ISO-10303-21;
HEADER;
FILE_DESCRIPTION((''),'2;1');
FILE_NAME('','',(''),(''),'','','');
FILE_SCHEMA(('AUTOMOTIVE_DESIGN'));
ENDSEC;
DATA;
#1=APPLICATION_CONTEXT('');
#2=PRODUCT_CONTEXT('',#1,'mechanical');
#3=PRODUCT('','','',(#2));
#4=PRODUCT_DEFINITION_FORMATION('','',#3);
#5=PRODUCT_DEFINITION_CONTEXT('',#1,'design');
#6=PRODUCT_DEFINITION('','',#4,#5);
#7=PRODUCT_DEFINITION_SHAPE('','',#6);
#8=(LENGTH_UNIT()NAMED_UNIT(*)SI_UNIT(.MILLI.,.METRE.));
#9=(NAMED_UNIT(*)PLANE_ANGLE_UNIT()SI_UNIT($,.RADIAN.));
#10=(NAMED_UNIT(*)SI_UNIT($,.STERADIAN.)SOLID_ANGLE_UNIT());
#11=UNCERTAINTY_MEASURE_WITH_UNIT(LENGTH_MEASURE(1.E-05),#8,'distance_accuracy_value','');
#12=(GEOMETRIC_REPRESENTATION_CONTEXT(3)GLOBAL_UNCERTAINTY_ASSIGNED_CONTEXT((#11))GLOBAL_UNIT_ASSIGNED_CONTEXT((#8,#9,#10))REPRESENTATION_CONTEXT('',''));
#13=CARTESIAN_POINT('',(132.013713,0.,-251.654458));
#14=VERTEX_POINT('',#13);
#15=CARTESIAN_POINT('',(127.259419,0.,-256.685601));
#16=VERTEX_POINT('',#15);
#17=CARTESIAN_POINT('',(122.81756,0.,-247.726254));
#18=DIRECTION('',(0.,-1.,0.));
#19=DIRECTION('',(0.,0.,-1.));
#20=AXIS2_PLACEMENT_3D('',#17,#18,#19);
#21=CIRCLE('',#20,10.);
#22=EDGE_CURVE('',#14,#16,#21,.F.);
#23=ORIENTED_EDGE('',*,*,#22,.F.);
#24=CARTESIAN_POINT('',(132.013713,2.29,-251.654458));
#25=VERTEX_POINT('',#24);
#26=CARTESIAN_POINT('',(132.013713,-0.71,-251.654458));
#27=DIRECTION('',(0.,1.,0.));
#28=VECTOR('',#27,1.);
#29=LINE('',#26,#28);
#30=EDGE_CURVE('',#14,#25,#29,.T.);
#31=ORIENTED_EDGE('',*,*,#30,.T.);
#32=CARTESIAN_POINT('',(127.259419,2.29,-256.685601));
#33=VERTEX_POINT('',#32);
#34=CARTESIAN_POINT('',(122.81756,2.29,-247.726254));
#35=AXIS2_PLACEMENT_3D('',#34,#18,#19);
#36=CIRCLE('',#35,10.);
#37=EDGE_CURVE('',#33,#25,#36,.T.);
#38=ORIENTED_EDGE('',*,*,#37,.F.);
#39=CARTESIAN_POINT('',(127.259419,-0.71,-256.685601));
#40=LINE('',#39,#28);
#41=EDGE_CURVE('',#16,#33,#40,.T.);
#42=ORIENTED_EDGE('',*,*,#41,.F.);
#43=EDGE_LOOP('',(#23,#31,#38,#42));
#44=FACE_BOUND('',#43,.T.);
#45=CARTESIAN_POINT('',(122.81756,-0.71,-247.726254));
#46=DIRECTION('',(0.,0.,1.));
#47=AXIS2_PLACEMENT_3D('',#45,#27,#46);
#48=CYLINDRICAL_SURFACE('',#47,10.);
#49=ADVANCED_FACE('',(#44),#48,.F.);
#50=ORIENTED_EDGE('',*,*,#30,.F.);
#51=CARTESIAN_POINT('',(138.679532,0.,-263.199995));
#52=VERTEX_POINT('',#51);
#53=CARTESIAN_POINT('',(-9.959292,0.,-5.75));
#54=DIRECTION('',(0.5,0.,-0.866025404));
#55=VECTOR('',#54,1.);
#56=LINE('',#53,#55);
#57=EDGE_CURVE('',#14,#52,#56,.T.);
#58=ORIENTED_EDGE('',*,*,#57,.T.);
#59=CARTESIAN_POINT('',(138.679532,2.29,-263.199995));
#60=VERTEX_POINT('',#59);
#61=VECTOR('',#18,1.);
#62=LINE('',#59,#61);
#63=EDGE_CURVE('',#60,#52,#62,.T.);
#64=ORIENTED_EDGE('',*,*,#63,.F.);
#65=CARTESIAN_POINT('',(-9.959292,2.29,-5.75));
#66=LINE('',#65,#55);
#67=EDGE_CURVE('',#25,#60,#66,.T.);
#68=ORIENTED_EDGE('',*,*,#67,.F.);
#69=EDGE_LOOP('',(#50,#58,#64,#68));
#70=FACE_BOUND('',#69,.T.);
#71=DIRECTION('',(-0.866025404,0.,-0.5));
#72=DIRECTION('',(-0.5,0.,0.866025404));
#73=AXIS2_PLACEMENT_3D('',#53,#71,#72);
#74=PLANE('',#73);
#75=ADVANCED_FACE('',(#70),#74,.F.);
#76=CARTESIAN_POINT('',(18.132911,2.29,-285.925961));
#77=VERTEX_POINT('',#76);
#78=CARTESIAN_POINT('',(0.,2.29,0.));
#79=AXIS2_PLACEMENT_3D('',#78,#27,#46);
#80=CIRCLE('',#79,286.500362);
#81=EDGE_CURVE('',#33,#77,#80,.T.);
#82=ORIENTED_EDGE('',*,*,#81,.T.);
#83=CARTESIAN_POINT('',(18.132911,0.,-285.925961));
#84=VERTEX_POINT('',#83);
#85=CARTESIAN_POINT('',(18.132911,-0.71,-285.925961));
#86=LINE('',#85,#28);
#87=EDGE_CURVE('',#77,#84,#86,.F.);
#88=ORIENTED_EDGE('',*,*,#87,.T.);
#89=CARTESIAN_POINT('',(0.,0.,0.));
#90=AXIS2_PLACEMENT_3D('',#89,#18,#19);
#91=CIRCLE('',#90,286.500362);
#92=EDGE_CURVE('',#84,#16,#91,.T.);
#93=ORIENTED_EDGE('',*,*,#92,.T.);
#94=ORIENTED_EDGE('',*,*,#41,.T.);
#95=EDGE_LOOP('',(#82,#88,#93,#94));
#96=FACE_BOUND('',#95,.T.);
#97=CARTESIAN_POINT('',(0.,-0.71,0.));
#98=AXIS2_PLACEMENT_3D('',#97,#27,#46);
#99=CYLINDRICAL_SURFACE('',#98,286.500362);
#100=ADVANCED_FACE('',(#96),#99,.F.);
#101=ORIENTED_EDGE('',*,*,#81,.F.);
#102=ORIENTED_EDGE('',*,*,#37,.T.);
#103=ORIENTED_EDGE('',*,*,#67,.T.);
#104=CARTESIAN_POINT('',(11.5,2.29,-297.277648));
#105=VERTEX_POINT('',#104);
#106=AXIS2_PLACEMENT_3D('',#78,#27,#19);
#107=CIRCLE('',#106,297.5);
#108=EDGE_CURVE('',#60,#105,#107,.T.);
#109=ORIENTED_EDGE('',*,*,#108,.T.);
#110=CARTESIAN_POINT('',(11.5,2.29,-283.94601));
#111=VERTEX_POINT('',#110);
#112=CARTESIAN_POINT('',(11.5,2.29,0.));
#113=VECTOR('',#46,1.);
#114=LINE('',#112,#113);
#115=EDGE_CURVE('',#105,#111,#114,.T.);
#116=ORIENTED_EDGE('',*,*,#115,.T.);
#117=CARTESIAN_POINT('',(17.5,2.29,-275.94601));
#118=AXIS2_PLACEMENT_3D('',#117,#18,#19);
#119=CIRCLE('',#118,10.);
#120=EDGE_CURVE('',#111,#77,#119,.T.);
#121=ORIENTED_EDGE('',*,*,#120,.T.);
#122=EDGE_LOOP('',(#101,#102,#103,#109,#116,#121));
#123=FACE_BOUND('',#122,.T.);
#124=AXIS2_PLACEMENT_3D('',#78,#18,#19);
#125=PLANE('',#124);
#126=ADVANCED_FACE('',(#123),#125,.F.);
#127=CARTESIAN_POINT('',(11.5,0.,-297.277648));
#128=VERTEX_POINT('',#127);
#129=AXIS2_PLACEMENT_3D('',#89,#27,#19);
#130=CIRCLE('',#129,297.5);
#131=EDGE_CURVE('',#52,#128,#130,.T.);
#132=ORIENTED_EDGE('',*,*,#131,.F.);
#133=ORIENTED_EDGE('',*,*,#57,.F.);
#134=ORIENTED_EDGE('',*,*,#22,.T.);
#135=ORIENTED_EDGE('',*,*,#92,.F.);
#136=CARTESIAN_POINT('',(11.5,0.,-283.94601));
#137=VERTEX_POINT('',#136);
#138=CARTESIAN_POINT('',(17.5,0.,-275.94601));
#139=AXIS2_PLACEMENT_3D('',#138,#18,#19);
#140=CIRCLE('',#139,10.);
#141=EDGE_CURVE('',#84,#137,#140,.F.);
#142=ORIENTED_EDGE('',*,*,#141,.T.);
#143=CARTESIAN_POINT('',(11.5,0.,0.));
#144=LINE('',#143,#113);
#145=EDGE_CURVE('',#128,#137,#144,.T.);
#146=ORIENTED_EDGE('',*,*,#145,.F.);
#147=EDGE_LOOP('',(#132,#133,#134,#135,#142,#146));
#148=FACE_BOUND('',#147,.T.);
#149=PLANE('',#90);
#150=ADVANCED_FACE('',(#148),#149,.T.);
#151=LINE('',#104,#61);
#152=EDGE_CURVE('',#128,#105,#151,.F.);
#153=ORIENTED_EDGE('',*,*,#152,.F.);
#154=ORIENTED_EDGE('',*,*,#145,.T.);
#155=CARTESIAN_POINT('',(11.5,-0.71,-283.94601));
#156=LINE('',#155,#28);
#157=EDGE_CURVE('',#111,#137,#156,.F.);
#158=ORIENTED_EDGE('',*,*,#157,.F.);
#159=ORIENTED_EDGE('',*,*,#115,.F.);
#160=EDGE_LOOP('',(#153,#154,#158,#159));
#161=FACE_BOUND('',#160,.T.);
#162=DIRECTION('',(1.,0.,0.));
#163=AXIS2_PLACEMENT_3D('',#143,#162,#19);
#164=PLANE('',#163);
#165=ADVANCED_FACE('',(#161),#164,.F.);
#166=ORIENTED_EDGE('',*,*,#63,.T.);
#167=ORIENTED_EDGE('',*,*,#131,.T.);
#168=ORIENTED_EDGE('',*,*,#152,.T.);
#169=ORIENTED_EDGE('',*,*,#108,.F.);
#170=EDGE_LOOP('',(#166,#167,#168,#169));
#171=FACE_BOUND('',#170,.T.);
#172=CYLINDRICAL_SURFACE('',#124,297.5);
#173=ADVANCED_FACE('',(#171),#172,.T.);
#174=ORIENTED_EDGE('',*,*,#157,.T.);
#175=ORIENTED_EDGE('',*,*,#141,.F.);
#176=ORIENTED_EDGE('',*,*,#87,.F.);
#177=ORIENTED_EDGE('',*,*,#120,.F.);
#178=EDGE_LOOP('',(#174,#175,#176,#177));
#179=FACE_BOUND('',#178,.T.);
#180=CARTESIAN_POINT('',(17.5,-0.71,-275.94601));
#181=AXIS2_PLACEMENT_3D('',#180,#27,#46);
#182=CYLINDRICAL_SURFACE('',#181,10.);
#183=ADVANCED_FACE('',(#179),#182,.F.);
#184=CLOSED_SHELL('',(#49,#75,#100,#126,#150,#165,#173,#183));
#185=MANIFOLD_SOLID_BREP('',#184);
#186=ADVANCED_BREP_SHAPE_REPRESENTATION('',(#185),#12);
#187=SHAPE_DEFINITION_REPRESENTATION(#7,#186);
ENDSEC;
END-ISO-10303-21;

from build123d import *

# Parameters (mm, degrees)
BOSS_EXTRUDE1_DEPTH = 2.29
CUT_EXTRUDE1_DEPTH  = 3
FILLET1_R           = 10
FILLET2_R           = 3
SKETCH5_W           = 34.038972109
SKETCH5_H           = 16.711464084
CUT_EXTRUDE3_DEPTH  = 10
SKETCH6_W           = 36.357164771
SKETCH6_H           = 12.163218603
CUT_EXTRUDE4_DEPTH  = 10


with BuildPart() as part:
    # Sketch1 → Boss-Extrude1 (new body)
    with BuildSketch(Plane(origin=(0, 0, 0), x_dir=(1, 0, 0), z_dir=(0, 1, 0))):
        with BuildLine():
            Line((1.5, 297.496218463), (1.5, 271.496218463))
            ThreePointArc((1.5, 271.496218463), (70.269464473, 262.249211634), (134.449071126, 235.872622221))
            Line((134.449071126, 235.872622221), (147.449071126, 258.389282719))
            ThreePointArc((147.449071126, 258.389282719), (76.998665918, 287.362933321), (1.5, 297.496218463))
        make_face()
    extrude(amount=BOSS_EXTRUDE1_DEPTH)

    # Sketch3 → Cut-Extrude1 (cut)
    with BuildSketch(Plane(origin=(0, 2.29, 0), x_dir=(1, 0, 0), z_dir=(0, 1, 0))):
        with BuildLine():
            Line((7.5, 271.396751344), (129.203185143, 238.786481168))
            Line((129.203185143, 238.786481168), (136.70589842, 251.781561758))
            ThreePointArc((136.70589842, 251.781561758), (74.15175015, 276.738099028), (7.5, 286.402177897))
            Line((7.5, 286.402177897), (7.5, 271.396751344))
        make_face()
    extrude(amount=-CUT_EXTRUDE1_DEPTH, mode=Mode.SUBTRACT)

    # Fillet1
    fillet1_edges = [part.edges().sort_by_distance(p)[0] for p in [
        (7.5, 1.145, -286.402177897),
        (136.70589842, 1.145, -251.781561758),
    ]]
    fillet(fillet1_edges, radius=FILLET1_R)

    # Fillet2
    fillet2_edges = [part.edges().sort_by_distance(p)[0] for p in [
        (7.5, 1.145, -271.396751344),
        (129.203185143, 1.145, -238.786481168),
    ]]
    fillet(fillet2_edges, radius=FILLET2_R)

    # Sketch5 → Cut-Extrude3 (cut)
    with BuildSketch(Plane.ZY.offset(-1.5)):
        with Locations((-282.724414262, 1.327160447)):
            Rectangle(SKETCH5_W, SKETCH5_H)
    extrude(amount=-CUT_EXTRUDE3_DEPTH, mode=Mode.SUBTRACT)

    # Sketch6 → Cut-Extrude4 (cut)
    with BuildSketch(Plane(origin=(-1.299038106, 0, -0.75), x_dir=(0.5000000000000013, 0, -0.8660254037844379), z_dir=(0.8660254037844378, 0, 0.5000000000000012))):
        with Locations((285.46076815, 1.026498226)):
            Rectangle(SKETCH6_W, SKETCH6_H)
    extrude(amount=-CUT_EXTRUDE4_DEPTH, mode=Mode.SUBTRACT)


solid = part.part
